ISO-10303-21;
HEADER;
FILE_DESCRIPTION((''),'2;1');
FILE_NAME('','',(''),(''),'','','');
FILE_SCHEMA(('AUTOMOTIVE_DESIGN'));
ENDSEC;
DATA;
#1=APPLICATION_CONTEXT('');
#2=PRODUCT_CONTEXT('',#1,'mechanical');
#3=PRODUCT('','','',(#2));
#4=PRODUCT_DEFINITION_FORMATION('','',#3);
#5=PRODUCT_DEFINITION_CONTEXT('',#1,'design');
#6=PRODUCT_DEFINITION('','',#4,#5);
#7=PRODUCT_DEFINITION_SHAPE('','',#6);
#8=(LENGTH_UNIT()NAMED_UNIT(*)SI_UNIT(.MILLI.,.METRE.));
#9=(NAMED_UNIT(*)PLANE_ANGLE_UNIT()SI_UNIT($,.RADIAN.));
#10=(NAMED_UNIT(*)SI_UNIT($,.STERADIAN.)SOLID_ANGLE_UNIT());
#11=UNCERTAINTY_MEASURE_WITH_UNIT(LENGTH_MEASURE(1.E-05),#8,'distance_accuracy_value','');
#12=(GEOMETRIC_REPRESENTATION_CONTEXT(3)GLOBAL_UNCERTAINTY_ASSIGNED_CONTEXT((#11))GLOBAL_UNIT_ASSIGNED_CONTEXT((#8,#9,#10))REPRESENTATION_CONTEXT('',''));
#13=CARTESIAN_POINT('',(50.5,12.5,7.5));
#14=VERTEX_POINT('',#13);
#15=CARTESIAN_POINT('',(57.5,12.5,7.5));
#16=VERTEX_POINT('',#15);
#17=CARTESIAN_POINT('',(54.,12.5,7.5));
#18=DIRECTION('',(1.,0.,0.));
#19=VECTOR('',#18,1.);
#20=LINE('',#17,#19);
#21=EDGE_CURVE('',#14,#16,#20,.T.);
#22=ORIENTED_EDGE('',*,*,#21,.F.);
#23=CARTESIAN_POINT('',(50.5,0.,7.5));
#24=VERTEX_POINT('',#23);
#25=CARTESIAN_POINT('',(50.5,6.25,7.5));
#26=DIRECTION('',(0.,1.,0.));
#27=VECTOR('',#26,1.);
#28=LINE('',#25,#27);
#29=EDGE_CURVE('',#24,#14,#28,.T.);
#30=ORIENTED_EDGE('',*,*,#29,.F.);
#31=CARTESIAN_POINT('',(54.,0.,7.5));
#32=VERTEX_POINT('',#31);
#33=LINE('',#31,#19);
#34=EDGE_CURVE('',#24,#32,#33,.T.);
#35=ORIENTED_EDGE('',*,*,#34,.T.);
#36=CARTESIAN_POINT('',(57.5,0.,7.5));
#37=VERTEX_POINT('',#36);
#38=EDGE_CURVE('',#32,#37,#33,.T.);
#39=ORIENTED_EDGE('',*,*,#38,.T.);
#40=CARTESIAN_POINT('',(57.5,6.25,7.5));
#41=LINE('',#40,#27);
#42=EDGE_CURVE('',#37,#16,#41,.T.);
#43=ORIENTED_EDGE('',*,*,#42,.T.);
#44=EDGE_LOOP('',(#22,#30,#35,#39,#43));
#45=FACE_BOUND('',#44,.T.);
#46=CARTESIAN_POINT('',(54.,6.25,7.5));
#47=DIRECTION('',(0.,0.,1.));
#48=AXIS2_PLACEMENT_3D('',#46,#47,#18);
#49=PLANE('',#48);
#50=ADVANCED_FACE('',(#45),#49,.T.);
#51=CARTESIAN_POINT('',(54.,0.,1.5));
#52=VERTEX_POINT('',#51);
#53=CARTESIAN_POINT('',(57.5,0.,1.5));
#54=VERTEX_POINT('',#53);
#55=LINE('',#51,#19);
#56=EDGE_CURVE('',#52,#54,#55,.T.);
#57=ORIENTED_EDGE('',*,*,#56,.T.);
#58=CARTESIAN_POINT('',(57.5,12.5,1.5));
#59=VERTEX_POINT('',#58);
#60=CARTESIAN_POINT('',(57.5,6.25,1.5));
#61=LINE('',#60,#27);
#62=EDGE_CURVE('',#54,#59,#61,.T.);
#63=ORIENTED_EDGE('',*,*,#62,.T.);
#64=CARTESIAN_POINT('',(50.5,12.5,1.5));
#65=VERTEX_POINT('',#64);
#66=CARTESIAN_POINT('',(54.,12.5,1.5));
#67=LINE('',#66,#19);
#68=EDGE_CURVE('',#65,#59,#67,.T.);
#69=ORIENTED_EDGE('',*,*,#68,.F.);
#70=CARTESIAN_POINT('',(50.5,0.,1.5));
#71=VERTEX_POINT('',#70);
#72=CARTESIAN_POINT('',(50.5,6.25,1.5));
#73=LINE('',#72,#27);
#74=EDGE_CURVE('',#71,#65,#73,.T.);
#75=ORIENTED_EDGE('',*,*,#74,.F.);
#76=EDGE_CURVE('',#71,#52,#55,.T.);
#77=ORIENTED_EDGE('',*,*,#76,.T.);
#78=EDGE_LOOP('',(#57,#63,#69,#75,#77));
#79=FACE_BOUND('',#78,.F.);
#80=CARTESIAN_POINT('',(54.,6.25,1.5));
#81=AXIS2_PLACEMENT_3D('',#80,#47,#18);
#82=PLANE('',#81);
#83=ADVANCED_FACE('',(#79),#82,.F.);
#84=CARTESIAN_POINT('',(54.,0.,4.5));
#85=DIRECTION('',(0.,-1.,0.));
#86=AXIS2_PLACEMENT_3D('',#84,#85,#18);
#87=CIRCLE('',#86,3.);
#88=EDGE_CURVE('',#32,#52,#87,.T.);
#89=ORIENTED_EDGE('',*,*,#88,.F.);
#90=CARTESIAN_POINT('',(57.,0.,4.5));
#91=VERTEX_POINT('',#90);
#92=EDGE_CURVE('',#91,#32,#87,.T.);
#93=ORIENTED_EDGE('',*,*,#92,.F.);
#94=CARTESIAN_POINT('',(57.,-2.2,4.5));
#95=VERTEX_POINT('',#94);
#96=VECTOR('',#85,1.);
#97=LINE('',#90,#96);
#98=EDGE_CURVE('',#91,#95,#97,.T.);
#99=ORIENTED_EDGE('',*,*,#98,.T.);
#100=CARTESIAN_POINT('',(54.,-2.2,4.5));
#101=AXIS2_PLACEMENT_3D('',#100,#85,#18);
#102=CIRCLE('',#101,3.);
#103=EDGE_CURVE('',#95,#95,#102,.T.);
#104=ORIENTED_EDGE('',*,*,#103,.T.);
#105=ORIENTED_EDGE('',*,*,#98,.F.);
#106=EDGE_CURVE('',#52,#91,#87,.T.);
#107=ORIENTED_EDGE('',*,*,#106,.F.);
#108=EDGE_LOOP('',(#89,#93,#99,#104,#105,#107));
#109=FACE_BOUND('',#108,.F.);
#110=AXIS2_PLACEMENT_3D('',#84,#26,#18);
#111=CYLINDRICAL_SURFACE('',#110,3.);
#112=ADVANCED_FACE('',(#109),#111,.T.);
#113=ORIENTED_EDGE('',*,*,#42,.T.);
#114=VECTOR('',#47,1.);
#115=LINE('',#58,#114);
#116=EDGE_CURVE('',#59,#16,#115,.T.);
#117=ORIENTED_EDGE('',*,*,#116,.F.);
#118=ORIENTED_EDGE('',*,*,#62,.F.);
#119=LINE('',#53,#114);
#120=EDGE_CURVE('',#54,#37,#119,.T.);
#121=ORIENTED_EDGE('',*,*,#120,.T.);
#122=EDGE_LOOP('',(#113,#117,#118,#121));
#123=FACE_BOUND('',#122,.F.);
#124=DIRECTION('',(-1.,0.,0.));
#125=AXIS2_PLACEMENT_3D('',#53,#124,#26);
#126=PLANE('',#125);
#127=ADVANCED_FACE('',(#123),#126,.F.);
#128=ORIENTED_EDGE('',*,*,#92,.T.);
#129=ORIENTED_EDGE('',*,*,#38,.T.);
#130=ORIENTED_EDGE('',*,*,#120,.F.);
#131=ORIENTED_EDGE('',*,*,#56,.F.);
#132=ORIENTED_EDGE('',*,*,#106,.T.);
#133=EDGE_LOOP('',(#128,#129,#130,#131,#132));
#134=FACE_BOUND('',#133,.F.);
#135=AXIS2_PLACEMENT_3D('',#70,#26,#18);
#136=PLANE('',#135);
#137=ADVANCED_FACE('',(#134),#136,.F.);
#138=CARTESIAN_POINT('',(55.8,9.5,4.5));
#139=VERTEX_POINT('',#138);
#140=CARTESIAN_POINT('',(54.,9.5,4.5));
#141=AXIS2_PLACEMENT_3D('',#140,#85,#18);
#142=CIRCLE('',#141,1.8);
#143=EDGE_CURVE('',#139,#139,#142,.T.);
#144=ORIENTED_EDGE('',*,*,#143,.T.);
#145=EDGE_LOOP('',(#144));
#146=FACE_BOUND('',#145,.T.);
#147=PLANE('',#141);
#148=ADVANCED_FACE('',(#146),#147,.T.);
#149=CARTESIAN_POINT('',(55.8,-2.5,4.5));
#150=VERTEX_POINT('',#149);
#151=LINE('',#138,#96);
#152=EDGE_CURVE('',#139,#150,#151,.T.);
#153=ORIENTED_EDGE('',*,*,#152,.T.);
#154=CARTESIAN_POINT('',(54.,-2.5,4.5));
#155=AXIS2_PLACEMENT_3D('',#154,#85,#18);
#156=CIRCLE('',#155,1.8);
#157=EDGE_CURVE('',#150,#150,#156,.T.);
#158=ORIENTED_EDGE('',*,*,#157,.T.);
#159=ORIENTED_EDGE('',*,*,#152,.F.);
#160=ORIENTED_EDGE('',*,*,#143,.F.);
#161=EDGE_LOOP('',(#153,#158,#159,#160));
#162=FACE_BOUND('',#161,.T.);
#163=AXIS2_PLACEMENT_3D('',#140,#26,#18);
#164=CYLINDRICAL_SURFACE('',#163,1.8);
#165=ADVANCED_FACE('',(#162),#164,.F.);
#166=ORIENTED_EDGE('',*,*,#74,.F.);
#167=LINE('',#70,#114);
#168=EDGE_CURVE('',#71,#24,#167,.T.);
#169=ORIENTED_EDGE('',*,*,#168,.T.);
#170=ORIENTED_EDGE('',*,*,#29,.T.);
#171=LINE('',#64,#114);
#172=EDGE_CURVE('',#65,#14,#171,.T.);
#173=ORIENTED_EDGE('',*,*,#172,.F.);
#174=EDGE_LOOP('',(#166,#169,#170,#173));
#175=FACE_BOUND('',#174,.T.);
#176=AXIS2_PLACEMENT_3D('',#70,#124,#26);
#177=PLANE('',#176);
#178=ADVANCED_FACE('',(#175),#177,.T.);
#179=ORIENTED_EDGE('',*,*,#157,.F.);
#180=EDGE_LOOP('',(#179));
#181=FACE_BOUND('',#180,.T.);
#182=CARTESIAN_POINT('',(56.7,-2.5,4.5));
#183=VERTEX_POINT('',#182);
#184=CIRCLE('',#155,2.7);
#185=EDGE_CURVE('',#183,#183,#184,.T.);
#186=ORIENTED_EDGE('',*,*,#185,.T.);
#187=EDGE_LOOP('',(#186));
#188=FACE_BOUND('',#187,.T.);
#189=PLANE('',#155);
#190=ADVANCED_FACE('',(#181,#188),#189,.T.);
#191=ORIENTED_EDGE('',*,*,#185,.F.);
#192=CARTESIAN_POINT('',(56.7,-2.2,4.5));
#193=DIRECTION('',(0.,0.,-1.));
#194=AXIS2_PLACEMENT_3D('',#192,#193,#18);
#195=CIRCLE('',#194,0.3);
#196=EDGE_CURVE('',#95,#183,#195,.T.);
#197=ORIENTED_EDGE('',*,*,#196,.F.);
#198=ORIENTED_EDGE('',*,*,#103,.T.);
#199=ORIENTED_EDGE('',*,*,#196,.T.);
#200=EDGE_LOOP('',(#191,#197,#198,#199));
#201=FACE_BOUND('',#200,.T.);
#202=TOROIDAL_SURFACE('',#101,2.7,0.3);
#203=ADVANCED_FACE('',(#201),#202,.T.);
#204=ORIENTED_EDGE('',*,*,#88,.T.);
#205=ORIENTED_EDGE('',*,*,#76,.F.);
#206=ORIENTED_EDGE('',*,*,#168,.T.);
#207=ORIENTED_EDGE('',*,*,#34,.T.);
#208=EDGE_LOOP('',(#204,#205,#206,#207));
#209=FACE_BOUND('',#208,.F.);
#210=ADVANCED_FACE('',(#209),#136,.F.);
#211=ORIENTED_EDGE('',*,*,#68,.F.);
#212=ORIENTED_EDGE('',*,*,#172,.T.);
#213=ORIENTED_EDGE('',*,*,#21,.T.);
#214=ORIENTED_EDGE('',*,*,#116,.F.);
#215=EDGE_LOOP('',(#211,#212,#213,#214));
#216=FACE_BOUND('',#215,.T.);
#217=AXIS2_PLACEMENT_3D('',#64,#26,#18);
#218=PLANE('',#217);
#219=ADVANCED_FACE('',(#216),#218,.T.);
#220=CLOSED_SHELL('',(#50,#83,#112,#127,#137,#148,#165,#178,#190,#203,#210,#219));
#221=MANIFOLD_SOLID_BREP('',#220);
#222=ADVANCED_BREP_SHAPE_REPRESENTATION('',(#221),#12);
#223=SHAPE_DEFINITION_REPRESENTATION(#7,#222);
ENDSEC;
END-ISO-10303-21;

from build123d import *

# Parameters (mm, degrees)
CYLINDER002_R     = 1.8
CYLINDER002_DEPTH = 12
CYLINDER001_R     = 3
CYLINDER001_DEPTH = 2.5
BOX054_W          = 7
BOX054_H          = 12.5
BOX054_DEPTH      = 6
FILLET010_R       = 0.3


with BuildPart() as cylinder:
    # Cylinder002 → Cylinder002 (new body)
    with BuildSketch(Plane(origin=(0, 9.5, 3), x_dir=(1, 0, 0), z_dir=(0, -1, 0))):
        Circle(CYLINDER002_R)
    extrude(amount=CYLINDER002_DEPTH)


with BuildPart() as cylinder001:
    # Cylinder001 → Cylinder001 (new body)
    with BuildSketch(Plane(origin=(0, 0, 3), x_dir=(1, 0, 0), z_dir=(0, -1, 0))):
        Circle(CYLINDER001_R)
    extrude(amount=CYLINDER001_DEPTH)


with BuildPart() as phone_socket_audio_video:
    # Box054 → Box054 (new body)
    with BuildSketch(Plane(origin=(-3.5, 0, 0), x_dir=(1, 0, 0), z_dir=(0, 0, 1))):
        with Locations((3.5, 6.25)):
            Rectangle(BOX054_W, BOX054_H)
    extrude(amount=BOX054_DEPTH)

    # Fusion043: union Cylinder001
    add(cylinder001.part)

    # Cut010: cut Cylinder
    add(cylinder.part, mode=Mode.SUBTRACT)

    # Fillet010
    fillet010_edges = [phone_socket_audio_video.edges().sort_by_distance(p)[0] for p in [
        (-3, -2.5, 3),
    ]]
    fillet(fillet010_edges, radius=FILLET010_R)


with BuildPart() as phone_socket_audio_video_1:
    # Fillet010 placement: moved
    add(phone_socket_audio_video.part.moved(Location((54, 0, 1.5))))


solid = phone_socket_audio_video_1.part
